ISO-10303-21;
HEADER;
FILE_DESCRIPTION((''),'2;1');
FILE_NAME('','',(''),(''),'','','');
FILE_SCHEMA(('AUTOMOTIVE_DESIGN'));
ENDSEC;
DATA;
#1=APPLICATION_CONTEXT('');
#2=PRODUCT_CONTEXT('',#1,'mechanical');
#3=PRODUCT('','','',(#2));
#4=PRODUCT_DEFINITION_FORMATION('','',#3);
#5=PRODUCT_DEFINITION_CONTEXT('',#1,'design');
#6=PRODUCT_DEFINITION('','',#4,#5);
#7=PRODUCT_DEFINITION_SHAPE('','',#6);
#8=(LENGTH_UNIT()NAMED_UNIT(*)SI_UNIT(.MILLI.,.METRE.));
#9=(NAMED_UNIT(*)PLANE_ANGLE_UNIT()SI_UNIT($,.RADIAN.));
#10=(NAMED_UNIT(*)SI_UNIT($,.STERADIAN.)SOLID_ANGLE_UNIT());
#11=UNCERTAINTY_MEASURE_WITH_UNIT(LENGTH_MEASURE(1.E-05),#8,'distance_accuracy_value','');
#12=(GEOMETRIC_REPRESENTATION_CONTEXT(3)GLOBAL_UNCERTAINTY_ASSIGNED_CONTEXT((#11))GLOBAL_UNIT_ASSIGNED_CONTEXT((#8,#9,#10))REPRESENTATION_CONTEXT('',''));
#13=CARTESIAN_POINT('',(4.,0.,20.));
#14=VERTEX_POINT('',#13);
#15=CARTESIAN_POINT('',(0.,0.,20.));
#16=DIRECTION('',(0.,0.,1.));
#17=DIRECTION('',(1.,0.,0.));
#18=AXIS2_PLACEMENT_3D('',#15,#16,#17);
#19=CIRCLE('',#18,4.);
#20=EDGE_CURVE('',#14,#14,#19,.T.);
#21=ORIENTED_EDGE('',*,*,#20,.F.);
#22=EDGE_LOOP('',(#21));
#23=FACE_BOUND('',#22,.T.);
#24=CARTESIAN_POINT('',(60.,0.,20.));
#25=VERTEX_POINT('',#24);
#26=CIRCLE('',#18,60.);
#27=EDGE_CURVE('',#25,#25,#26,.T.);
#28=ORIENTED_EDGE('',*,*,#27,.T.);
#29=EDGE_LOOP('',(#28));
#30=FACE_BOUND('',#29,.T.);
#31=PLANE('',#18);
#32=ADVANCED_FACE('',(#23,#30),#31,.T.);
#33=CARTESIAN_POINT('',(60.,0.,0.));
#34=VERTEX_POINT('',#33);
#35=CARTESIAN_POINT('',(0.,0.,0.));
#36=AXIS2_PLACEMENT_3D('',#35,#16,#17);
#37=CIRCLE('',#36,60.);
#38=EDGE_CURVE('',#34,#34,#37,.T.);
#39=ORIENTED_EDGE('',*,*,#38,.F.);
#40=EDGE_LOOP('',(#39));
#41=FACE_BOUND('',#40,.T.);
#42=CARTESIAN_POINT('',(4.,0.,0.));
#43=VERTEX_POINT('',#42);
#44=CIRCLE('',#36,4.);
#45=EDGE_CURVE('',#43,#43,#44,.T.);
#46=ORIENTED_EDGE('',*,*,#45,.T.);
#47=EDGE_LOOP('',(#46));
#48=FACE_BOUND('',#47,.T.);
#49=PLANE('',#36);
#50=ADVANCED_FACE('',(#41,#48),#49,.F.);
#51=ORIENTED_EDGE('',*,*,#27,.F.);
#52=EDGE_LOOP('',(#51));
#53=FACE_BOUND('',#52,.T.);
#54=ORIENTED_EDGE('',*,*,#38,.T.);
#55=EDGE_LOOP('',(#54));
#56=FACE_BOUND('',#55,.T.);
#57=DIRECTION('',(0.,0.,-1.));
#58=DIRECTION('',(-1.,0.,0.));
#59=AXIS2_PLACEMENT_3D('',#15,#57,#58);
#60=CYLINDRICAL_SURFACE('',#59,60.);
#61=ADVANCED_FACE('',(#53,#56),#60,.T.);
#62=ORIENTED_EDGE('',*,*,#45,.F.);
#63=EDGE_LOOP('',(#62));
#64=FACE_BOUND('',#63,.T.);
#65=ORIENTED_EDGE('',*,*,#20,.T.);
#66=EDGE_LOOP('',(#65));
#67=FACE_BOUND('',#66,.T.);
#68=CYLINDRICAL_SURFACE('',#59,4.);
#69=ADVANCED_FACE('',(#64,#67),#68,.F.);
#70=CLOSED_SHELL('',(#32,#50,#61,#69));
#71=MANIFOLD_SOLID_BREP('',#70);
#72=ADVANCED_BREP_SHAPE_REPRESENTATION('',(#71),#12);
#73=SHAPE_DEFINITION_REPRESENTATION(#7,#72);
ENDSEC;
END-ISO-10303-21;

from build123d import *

# Parameters (mm, degrees)
IZIM1_R                     = 60
IZIM1_R_2                   = 4
Y_KSEKLIK_EKSTR_ZYON1_DEPTH = 20


with BuildPart() as part:
    # Çizim1 → Yükseklik-Ekstrüzyon1 (new body)
    with BuildSketch(Plane.XY):
        Circle(IZIM1_R)
        Circle(IZIM1_R_2, mode=Mode.SUBTRACT)
    extrude(amount=Y_KSEKLIK_EKSTR_ZYON1_DEPTH)


solid = part.part
